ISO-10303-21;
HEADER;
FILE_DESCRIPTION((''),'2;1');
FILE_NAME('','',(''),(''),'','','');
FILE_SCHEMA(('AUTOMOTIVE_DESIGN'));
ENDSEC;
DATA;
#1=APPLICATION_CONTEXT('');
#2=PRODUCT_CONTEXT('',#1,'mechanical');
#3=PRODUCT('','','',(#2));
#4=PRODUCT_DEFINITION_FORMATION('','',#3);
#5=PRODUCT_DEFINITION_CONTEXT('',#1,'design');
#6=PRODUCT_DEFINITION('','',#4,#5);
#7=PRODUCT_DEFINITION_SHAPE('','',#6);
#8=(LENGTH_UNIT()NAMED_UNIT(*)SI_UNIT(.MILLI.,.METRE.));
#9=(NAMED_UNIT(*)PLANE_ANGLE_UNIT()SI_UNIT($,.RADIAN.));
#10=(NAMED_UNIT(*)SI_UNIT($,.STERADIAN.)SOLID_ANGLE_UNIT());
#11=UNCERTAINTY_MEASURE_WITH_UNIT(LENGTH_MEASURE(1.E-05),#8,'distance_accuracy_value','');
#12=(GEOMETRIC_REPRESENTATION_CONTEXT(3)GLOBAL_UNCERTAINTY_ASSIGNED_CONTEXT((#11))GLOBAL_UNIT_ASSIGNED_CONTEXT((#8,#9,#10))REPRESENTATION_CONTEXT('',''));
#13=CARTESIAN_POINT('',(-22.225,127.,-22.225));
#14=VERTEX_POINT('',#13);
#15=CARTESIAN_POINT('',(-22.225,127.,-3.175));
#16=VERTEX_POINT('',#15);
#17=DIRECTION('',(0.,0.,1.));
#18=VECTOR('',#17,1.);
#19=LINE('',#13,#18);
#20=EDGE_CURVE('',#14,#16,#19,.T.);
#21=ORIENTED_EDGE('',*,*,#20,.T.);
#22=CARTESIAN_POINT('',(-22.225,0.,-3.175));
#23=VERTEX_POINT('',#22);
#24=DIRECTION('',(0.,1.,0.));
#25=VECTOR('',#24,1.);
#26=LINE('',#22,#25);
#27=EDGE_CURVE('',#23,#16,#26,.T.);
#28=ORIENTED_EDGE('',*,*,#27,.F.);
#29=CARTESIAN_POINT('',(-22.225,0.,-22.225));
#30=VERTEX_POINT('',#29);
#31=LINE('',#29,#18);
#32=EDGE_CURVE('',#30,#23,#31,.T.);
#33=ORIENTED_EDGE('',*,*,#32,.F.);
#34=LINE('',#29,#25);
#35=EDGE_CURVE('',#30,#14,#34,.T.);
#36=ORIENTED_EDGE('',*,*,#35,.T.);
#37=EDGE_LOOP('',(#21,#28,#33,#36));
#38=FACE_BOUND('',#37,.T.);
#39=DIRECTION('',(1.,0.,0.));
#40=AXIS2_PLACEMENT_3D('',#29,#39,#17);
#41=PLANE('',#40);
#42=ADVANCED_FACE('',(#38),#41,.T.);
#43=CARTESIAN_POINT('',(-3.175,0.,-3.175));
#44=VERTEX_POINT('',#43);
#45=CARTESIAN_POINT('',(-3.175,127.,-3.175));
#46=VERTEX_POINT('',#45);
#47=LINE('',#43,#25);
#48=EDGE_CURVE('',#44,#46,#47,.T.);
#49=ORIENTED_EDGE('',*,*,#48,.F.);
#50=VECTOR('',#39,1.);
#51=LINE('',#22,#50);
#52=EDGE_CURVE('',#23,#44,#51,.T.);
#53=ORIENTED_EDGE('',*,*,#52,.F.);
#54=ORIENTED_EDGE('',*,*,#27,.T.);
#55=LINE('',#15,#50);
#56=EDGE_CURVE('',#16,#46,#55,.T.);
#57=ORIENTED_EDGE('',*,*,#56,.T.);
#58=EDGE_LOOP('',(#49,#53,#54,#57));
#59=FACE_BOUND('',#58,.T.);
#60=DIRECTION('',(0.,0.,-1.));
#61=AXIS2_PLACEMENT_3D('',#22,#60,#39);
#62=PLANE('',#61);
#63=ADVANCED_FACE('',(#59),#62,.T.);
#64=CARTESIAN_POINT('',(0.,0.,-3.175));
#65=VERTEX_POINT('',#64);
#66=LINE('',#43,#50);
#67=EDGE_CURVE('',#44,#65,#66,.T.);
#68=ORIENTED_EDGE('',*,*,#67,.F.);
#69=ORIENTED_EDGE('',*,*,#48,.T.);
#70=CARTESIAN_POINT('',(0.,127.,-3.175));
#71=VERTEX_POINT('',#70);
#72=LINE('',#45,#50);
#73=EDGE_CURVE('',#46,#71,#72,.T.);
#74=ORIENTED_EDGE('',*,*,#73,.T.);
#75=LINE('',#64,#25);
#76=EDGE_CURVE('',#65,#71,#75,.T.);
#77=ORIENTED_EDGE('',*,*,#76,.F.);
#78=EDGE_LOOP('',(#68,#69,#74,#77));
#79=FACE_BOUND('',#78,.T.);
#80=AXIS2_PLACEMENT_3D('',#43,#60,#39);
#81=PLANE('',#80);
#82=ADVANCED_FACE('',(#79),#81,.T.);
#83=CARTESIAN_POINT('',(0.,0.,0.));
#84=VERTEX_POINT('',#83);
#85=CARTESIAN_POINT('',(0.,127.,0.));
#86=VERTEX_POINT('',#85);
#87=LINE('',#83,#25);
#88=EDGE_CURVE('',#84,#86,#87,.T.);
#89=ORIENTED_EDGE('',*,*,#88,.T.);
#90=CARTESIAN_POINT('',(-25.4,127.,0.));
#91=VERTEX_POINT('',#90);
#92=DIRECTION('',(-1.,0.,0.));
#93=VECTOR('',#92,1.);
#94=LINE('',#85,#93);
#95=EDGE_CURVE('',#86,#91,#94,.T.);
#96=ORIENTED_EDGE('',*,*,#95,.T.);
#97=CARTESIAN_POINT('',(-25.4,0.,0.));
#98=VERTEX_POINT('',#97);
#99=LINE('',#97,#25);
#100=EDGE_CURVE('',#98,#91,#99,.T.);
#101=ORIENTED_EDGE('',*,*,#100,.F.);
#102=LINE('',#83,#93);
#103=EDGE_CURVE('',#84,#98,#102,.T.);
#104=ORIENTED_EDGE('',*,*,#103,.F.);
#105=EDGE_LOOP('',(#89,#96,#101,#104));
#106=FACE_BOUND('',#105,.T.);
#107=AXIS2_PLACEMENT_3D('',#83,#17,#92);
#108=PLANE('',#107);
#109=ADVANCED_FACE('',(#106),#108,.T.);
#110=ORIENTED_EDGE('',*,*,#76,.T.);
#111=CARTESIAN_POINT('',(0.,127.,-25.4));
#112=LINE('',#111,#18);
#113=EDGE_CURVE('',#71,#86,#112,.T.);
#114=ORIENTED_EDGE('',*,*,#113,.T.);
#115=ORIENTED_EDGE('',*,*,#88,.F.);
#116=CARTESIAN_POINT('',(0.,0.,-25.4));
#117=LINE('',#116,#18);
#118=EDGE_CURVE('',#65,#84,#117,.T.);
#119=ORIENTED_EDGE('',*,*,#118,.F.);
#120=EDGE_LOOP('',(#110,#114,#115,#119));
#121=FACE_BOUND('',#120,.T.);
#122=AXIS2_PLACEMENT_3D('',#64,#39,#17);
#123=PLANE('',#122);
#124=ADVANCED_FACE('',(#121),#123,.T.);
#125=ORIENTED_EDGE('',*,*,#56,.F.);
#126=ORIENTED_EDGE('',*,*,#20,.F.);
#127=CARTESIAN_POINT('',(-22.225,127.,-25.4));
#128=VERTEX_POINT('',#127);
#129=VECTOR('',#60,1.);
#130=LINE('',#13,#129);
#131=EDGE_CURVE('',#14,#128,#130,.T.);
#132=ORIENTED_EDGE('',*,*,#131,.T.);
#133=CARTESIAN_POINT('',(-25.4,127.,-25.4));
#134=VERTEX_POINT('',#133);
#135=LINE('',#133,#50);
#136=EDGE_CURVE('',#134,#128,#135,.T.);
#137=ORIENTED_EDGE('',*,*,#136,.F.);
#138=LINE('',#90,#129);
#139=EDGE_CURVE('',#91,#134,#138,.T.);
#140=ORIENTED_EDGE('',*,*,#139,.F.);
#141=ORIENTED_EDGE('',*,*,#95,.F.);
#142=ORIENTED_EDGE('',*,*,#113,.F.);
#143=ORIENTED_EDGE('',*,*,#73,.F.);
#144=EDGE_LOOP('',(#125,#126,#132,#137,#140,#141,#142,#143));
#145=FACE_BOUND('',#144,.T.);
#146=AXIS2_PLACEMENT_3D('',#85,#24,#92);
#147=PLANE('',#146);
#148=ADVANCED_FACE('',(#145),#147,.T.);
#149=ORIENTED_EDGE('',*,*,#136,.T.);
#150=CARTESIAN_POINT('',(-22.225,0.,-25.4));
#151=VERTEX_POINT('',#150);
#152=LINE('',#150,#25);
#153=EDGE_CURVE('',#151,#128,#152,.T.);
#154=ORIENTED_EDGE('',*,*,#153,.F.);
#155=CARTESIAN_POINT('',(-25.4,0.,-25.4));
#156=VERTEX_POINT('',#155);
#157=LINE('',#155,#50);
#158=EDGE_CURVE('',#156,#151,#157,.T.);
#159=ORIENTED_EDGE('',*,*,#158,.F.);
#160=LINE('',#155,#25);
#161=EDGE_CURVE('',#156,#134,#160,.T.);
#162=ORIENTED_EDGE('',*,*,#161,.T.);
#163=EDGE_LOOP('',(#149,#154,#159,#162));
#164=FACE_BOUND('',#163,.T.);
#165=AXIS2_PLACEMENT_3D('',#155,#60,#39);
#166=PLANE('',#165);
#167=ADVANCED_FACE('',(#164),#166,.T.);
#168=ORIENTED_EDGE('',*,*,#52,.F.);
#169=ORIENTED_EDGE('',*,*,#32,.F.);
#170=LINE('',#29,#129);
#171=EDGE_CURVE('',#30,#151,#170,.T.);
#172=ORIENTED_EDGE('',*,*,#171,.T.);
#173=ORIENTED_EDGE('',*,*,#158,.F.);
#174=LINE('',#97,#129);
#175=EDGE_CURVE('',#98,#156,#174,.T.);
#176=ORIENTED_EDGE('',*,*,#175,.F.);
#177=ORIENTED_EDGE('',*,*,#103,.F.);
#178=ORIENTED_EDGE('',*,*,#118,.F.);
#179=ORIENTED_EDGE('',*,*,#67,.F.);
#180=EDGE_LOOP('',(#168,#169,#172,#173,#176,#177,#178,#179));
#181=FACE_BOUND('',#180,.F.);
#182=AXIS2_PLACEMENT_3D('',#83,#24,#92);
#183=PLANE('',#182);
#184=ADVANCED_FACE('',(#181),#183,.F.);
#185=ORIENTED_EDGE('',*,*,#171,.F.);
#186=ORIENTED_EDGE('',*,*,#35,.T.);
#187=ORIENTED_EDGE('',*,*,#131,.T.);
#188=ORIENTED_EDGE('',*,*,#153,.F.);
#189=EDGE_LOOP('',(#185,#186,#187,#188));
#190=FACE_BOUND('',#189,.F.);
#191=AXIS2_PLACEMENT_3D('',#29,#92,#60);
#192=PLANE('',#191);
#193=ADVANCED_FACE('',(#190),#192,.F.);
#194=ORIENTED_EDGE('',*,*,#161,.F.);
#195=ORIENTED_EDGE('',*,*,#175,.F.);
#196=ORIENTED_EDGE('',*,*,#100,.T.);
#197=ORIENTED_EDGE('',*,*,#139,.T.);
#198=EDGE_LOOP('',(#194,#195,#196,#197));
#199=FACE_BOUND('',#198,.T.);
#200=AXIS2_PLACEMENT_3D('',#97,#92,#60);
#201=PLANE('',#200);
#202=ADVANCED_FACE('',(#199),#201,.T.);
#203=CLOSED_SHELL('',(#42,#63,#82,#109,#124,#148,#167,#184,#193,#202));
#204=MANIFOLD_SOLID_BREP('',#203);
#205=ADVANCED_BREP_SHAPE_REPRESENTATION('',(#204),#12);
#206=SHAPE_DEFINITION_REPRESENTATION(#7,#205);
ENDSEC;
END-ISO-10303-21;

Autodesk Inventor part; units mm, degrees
ref_plane "YZ Plane" through (0, 0, 0) normal (1, 0, 0) x (0, 1, 0)
ref_plane "XZ Plane" through (0, 0, 0) normal (0, 1, 0) x (-1, 0, 0)
ref_plane "XY Plane" through (0, 0, 0) normal (0, 0, 1) x (1, 0, 0)
sketch "Sketch1" plane through (0, 0, 0) normal (0, 1, 0) x (-1, 0, 0)
  line L0 (0, 0) -> (25.4, 0)
  line L1 (25.4, 0) -> (25.4, -25.4)
  line L2 (25.4, -25.4) -> (0, -25.4)
  line L3 (0, -25.4) -> (0, 0)
  line L4 (22.225, -22.225) -> (22.225, -3.175)
  line L5 (22.225, -3.175) -> (3.175, -3.175)
  line L6 (3.175, -3.175) -> (3.175, -22.225)
  line L7 (3.175, -22.225) -> (22.225, -22.225)
  line L8 (3.175, -3.175) -> (0, -3.175)
  line L9 (22.225, -22.225) -> (22.225, -25.4)
  dimension "d0" = 25.4
  dimension "d1" = 25.4
  dimension "d2" = 3.175
extrude "Extrusion1" add sketch "Sketch1" along normal blind 127 contours L0 L1 L2 L9 L4 L5 L8 L3
properties part number "BumberGusset.ver1-1111-2020"
